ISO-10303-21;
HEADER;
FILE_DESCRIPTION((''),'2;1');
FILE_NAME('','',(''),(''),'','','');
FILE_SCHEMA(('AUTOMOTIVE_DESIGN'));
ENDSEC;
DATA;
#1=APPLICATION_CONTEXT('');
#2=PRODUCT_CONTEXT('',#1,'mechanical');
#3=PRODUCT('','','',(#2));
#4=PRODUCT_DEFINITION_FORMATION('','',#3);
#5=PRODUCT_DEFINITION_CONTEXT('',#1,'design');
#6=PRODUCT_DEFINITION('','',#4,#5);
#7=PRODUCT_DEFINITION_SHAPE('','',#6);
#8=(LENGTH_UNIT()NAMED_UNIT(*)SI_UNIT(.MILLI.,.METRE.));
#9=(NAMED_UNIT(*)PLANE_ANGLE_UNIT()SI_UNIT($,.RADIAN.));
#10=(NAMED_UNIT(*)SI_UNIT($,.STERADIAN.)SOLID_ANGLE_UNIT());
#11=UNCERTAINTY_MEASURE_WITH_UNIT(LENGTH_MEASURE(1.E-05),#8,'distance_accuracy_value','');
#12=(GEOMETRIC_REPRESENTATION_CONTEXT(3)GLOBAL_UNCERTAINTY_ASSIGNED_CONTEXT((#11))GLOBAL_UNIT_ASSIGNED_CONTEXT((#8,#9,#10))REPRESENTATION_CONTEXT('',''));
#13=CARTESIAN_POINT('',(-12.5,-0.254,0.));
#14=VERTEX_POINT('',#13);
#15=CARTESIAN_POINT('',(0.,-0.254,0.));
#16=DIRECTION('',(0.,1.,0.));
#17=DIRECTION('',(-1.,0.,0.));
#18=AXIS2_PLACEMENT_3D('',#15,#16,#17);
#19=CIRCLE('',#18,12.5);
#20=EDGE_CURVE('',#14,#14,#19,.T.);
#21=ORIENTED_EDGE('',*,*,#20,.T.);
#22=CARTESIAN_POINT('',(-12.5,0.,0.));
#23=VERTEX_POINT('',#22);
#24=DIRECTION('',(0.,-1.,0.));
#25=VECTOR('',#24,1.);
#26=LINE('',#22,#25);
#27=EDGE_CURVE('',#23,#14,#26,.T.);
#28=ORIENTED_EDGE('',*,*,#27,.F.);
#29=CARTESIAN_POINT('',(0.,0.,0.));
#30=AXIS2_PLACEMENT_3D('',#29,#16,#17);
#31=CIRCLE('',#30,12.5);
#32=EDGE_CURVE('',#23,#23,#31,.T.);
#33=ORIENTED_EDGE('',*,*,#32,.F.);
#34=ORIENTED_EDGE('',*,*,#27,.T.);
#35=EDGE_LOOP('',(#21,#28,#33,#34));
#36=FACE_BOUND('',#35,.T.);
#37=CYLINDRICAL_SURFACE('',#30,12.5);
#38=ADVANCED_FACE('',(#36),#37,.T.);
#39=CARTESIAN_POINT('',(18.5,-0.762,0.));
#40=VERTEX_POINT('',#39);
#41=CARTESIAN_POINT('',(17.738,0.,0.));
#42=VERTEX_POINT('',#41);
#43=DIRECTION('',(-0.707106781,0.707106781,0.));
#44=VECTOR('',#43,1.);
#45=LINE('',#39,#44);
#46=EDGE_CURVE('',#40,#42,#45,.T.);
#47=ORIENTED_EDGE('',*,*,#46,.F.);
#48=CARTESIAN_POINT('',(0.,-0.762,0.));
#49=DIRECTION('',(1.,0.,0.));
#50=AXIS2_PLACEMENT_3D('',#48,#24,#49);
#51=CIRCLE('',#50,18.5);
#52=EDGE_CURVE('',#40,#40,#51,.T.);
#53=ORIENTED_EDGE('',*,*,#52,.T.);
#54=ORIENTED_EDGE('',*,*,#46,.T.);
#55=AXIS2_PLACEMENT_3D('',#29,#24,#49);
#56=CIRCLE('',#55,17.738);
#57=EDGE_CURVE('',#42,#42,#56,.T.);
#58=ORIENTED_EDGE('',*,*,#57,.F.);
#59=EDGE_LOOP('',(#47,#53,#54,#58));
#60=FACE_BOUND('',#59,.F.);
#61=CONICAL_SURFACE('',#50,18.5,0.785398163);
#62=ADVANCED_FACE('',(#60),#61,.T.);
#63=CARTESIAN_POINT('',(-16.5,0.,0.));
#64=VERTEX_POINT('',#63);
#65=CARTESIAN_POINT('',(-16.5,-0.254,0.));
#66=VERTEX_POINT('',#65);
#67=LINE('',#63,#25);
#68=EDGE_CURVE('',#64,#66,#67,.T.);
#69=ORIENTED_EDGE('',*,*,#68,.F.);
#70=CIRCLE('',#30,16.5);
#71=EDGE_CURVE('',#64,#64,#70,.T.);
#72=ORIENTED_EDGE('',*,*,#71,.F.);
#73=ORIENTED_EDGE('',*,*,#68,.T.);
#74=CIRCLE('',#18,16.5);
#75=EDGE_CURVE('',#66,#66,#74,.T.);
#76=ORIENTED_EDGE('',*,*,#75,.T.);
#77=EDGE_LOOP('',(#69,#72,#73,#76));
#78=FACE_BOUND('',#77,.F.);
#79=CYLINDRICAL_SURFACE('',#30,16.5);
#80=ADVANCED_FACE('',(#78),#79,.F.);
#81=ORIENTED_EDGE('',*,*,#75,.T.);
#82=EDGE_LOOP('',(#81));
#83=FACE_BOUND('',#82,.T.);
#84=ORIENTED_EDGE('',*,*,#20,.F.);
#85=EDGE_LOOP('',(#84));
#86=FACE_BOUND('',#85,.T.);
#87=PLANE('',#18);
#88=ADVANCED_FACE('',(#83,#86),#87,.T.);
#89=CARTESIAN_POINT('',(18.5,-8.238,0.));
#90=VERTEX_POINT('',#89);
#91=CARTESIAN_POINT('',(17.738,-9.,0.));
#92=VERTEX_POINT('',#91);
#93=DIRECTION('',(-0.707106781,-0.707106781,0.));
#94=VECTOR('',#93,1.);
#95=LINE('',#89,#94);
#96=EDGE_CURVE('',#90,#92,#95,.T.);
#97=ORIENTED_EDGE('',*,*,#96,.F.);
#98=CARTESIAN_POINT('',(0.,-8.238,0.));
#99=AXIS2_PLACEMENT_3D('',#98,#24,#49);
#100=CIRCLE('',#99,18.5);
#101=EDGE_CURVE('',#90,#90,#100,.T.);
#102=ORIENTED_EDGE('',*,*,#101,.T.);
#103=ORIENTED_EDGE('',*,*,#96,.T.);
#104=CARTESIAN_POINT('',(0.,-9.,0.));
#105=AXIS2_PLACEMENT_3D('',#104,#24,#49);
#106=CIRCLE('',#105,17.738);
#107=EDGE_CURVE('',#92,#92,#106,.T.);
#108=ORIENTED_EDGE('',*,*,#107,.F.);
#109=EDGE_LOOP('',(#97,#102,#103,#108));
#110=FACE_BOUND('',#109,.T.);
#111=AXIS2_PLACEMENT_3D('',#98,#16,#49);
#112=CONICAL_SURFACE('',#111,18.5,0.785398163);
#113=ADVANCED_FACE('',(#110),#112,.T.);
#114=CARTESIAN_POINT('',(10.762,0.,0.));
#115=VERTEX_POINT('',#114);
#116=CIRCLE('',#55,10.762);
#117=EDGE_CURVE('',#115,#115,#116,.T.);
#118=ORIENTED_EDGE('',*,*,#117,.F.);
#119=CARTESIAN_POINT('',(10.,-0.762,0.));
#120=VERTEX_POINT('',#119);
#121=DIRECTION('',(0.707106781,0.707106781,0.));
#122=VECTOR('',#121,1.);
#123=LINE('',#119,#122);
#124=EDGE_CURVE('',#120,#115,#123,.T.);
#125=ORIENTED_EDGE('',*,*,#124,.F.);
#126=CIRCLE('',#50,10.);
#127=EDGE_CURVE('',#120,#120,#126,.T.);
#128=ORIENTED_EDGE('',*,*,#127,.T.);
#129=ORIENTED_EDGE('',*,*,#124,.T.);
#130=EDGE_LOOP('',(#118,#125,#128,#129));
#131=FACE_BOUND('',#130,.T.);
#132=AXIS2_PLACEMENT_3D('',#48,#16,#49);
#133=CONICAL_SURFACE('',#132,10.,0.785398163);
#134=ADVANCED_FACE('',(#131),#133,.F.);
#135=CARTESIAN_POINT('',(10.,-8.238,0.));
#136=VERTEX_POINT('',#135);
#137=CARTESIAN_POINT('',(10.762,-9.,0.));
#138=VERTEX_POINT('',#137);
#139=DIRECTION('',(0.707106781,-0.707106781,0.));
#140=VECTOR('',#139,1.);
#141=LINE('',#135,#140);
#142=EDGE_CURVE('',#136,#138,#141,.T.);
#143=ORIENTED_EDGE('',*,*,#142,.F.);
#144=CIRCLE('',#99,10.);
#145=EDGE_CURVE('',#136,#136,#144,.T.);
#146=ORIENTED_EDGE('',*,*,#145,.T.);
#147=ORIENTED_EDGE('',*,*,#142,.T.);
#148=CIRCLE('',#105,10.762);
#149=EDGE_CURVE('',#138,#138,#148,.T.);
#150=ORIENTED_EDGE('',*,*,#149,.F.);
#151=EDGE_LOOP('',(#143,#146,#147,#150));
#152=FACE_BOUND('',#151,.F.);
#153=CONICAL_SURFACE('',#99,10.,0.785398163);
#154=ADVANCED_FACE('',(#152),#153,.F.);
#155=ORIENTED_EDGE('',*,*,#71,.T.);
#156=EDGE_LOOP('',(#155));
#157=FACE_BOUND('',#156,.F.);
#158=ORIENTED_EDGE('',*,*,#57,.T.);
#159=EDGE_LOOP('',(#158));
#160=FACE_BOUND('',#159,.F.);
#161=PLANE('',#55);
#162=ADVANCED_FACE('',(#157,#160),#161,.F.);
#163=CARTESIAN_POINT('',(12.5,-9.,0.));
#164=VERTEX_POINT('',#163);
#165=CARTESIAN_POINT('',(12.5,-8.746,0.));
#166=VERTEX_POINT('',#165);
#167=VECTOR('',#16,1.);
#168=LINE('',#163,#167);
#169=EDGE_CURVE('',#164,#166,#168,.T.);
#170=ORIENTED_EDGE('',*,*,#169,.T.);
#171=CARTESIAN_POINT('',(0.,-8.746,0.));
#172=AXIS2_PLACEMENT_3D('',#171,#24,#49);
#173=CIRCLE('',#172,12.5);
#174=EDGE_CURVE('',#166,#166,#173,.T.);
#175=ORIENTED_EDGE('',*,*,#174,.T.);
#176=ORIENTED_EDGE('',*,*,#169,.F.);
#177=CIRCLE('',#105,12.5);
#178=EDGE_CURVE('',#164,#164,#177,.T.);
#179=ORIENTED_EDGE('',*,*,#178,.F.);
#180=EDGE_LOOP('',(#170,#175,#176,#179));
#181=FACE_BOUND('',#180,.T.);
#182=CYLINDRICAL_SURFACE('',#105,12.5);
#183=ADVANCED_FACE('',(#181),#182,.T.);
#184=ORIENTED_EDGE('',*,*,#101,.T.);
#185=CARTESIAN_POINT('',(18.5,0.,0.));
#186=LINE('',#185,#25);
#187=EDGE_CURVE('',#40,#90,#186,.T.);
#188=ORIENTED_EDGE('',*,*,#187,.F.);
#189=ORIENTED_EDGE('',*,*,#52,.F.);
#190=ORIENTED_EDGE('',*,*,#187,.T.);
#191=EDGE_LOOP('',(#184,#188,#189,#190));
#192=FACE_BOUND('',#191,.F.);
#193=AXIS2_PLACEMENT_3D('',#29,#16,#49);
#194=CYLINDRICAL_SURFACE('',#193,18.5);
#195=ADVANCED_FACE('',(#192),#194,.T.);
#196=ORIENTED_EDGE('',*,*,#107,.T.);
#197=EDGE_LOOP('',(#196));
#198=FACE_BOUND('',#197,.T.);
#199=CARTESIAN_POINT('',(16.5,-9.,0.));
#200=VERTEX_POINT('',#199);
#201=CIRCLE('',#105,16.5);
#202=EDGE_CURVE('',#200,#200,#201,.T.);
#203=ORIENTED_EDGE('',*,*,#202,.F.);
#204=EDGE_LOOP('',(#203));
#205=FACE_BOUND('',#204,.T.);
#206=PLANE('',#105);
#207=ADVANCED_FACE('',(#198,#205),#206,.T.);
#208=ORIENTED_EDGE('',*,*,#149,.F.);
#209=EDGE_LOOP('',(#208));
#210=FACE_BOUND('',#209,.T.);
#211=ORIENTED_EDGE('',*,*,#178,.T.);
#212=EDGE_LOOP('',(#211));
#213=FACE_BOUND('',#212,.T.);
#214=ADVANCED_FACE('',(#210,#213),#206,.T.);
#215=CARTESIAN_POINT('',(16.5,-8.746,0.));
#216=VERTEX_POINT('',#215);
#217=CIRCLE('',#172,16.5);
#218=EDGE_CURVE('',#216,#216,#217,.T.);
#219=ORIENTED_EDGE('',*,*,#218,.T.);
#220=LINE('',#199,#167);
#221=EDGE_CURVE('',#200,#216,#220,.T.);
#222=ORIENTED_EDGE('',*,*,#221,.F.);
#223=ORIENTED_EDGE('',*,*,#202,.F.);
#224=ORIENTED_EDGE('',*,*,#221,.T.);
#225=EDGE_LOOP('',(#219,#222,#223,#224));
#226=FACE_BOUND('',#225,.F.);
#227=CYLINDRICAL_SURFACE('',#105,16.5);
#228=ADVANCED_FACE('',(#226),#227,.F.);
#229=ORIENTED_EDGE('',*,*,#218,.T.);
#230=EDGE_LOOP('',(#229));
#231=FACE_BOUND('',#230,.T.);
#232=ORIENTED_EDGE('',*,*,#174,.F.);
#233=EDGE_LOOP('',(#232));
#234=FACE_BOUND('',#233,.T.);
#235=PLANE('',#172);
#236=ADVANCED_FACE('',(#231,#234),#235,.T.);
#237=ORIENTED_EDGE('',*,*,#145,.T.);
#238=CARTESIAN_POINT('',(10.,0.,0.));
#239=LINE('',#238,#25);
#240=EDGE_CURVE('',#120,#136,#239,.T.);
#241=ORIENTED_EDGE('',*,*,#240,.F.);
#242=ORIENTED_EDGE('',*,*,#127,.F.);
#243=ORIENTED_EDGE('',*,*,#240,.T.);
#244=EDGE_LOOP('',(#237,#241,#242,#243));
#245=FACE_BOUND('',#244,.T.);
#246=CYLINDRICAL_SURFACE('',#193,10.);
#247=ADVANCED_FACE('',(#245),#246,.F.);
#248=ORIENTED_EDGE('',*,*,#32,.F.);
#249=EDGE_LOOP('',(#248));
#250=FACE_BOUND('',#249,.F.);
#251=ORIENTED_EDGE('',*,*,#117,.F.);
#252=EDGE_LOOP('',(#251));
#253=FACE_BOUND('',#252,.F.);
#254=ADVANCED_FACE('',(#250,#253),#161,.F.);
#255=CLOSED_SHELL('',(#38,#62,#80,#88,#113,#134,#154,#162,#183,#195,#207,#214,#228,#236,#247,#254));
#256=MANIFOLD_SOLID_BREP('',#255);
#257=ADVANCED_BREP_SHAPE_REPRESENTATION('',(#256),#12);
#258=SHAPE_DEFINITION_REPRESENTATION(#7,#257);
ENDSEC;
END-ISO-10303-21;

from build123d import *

# Parameters (mm, degrees)
F0_R     = 18.5
F0_R_2   = 10
F1_DEPTH = 9
F2_SIZE  = 0.762
F3_R     = 16.5
F3_R_2   = 12.5
F4_DEPTH = 0.254
F5_R     = 16.5
F5_R_2   = 12.5
F6_DEPTH = 0.254


with BuildPart() as f1:
    # F0 (on Front) → F1 (new body)
    with BuildSketch(Plane.XZ):
        Circle(F0_R)
        Circle(F0_R_2, mode=Mode.SUBTRACT)
    extrude(amount=F1_DEPTH)

    # F2
    f2_edges = [f1.edges().sort_by_distance(p)[0] for p in [
        (18.5, -4.5, 0),
        (-18.5, 0, 0),
        (-18.5, -9, 0),
        (10, -4.5, 0),
        (-10, 0, 0),
        (-10, -9, 0),
    ]]
    chamfer(f2_edges, length=F2_SIZE)

    # F3 (on face) → F4 (cut)
    with BuildSketch(Plane(origin=(0, 0, 0), x_dir=(-1, 0, 0), z_dir=(0, 1, 0))):
        Circle(F3_R)
        Circle(F3_R_2, mode=Mode.SUBTRACT)
    extrude(amount=-F4_DEPTH, mode=Mode.SUBTRACT)

    # F5 (on face) → F6 (cut)
    with BuildSketch(Plane.XZ.offset(9)):
        Circle(F5_R)
        Circle(F5_R_2, mode=Mode.SUBTRACT)
    extrude(amount=-F6_DEPTH, mode=Mode.SUBTRACT)


solid = f1.part
